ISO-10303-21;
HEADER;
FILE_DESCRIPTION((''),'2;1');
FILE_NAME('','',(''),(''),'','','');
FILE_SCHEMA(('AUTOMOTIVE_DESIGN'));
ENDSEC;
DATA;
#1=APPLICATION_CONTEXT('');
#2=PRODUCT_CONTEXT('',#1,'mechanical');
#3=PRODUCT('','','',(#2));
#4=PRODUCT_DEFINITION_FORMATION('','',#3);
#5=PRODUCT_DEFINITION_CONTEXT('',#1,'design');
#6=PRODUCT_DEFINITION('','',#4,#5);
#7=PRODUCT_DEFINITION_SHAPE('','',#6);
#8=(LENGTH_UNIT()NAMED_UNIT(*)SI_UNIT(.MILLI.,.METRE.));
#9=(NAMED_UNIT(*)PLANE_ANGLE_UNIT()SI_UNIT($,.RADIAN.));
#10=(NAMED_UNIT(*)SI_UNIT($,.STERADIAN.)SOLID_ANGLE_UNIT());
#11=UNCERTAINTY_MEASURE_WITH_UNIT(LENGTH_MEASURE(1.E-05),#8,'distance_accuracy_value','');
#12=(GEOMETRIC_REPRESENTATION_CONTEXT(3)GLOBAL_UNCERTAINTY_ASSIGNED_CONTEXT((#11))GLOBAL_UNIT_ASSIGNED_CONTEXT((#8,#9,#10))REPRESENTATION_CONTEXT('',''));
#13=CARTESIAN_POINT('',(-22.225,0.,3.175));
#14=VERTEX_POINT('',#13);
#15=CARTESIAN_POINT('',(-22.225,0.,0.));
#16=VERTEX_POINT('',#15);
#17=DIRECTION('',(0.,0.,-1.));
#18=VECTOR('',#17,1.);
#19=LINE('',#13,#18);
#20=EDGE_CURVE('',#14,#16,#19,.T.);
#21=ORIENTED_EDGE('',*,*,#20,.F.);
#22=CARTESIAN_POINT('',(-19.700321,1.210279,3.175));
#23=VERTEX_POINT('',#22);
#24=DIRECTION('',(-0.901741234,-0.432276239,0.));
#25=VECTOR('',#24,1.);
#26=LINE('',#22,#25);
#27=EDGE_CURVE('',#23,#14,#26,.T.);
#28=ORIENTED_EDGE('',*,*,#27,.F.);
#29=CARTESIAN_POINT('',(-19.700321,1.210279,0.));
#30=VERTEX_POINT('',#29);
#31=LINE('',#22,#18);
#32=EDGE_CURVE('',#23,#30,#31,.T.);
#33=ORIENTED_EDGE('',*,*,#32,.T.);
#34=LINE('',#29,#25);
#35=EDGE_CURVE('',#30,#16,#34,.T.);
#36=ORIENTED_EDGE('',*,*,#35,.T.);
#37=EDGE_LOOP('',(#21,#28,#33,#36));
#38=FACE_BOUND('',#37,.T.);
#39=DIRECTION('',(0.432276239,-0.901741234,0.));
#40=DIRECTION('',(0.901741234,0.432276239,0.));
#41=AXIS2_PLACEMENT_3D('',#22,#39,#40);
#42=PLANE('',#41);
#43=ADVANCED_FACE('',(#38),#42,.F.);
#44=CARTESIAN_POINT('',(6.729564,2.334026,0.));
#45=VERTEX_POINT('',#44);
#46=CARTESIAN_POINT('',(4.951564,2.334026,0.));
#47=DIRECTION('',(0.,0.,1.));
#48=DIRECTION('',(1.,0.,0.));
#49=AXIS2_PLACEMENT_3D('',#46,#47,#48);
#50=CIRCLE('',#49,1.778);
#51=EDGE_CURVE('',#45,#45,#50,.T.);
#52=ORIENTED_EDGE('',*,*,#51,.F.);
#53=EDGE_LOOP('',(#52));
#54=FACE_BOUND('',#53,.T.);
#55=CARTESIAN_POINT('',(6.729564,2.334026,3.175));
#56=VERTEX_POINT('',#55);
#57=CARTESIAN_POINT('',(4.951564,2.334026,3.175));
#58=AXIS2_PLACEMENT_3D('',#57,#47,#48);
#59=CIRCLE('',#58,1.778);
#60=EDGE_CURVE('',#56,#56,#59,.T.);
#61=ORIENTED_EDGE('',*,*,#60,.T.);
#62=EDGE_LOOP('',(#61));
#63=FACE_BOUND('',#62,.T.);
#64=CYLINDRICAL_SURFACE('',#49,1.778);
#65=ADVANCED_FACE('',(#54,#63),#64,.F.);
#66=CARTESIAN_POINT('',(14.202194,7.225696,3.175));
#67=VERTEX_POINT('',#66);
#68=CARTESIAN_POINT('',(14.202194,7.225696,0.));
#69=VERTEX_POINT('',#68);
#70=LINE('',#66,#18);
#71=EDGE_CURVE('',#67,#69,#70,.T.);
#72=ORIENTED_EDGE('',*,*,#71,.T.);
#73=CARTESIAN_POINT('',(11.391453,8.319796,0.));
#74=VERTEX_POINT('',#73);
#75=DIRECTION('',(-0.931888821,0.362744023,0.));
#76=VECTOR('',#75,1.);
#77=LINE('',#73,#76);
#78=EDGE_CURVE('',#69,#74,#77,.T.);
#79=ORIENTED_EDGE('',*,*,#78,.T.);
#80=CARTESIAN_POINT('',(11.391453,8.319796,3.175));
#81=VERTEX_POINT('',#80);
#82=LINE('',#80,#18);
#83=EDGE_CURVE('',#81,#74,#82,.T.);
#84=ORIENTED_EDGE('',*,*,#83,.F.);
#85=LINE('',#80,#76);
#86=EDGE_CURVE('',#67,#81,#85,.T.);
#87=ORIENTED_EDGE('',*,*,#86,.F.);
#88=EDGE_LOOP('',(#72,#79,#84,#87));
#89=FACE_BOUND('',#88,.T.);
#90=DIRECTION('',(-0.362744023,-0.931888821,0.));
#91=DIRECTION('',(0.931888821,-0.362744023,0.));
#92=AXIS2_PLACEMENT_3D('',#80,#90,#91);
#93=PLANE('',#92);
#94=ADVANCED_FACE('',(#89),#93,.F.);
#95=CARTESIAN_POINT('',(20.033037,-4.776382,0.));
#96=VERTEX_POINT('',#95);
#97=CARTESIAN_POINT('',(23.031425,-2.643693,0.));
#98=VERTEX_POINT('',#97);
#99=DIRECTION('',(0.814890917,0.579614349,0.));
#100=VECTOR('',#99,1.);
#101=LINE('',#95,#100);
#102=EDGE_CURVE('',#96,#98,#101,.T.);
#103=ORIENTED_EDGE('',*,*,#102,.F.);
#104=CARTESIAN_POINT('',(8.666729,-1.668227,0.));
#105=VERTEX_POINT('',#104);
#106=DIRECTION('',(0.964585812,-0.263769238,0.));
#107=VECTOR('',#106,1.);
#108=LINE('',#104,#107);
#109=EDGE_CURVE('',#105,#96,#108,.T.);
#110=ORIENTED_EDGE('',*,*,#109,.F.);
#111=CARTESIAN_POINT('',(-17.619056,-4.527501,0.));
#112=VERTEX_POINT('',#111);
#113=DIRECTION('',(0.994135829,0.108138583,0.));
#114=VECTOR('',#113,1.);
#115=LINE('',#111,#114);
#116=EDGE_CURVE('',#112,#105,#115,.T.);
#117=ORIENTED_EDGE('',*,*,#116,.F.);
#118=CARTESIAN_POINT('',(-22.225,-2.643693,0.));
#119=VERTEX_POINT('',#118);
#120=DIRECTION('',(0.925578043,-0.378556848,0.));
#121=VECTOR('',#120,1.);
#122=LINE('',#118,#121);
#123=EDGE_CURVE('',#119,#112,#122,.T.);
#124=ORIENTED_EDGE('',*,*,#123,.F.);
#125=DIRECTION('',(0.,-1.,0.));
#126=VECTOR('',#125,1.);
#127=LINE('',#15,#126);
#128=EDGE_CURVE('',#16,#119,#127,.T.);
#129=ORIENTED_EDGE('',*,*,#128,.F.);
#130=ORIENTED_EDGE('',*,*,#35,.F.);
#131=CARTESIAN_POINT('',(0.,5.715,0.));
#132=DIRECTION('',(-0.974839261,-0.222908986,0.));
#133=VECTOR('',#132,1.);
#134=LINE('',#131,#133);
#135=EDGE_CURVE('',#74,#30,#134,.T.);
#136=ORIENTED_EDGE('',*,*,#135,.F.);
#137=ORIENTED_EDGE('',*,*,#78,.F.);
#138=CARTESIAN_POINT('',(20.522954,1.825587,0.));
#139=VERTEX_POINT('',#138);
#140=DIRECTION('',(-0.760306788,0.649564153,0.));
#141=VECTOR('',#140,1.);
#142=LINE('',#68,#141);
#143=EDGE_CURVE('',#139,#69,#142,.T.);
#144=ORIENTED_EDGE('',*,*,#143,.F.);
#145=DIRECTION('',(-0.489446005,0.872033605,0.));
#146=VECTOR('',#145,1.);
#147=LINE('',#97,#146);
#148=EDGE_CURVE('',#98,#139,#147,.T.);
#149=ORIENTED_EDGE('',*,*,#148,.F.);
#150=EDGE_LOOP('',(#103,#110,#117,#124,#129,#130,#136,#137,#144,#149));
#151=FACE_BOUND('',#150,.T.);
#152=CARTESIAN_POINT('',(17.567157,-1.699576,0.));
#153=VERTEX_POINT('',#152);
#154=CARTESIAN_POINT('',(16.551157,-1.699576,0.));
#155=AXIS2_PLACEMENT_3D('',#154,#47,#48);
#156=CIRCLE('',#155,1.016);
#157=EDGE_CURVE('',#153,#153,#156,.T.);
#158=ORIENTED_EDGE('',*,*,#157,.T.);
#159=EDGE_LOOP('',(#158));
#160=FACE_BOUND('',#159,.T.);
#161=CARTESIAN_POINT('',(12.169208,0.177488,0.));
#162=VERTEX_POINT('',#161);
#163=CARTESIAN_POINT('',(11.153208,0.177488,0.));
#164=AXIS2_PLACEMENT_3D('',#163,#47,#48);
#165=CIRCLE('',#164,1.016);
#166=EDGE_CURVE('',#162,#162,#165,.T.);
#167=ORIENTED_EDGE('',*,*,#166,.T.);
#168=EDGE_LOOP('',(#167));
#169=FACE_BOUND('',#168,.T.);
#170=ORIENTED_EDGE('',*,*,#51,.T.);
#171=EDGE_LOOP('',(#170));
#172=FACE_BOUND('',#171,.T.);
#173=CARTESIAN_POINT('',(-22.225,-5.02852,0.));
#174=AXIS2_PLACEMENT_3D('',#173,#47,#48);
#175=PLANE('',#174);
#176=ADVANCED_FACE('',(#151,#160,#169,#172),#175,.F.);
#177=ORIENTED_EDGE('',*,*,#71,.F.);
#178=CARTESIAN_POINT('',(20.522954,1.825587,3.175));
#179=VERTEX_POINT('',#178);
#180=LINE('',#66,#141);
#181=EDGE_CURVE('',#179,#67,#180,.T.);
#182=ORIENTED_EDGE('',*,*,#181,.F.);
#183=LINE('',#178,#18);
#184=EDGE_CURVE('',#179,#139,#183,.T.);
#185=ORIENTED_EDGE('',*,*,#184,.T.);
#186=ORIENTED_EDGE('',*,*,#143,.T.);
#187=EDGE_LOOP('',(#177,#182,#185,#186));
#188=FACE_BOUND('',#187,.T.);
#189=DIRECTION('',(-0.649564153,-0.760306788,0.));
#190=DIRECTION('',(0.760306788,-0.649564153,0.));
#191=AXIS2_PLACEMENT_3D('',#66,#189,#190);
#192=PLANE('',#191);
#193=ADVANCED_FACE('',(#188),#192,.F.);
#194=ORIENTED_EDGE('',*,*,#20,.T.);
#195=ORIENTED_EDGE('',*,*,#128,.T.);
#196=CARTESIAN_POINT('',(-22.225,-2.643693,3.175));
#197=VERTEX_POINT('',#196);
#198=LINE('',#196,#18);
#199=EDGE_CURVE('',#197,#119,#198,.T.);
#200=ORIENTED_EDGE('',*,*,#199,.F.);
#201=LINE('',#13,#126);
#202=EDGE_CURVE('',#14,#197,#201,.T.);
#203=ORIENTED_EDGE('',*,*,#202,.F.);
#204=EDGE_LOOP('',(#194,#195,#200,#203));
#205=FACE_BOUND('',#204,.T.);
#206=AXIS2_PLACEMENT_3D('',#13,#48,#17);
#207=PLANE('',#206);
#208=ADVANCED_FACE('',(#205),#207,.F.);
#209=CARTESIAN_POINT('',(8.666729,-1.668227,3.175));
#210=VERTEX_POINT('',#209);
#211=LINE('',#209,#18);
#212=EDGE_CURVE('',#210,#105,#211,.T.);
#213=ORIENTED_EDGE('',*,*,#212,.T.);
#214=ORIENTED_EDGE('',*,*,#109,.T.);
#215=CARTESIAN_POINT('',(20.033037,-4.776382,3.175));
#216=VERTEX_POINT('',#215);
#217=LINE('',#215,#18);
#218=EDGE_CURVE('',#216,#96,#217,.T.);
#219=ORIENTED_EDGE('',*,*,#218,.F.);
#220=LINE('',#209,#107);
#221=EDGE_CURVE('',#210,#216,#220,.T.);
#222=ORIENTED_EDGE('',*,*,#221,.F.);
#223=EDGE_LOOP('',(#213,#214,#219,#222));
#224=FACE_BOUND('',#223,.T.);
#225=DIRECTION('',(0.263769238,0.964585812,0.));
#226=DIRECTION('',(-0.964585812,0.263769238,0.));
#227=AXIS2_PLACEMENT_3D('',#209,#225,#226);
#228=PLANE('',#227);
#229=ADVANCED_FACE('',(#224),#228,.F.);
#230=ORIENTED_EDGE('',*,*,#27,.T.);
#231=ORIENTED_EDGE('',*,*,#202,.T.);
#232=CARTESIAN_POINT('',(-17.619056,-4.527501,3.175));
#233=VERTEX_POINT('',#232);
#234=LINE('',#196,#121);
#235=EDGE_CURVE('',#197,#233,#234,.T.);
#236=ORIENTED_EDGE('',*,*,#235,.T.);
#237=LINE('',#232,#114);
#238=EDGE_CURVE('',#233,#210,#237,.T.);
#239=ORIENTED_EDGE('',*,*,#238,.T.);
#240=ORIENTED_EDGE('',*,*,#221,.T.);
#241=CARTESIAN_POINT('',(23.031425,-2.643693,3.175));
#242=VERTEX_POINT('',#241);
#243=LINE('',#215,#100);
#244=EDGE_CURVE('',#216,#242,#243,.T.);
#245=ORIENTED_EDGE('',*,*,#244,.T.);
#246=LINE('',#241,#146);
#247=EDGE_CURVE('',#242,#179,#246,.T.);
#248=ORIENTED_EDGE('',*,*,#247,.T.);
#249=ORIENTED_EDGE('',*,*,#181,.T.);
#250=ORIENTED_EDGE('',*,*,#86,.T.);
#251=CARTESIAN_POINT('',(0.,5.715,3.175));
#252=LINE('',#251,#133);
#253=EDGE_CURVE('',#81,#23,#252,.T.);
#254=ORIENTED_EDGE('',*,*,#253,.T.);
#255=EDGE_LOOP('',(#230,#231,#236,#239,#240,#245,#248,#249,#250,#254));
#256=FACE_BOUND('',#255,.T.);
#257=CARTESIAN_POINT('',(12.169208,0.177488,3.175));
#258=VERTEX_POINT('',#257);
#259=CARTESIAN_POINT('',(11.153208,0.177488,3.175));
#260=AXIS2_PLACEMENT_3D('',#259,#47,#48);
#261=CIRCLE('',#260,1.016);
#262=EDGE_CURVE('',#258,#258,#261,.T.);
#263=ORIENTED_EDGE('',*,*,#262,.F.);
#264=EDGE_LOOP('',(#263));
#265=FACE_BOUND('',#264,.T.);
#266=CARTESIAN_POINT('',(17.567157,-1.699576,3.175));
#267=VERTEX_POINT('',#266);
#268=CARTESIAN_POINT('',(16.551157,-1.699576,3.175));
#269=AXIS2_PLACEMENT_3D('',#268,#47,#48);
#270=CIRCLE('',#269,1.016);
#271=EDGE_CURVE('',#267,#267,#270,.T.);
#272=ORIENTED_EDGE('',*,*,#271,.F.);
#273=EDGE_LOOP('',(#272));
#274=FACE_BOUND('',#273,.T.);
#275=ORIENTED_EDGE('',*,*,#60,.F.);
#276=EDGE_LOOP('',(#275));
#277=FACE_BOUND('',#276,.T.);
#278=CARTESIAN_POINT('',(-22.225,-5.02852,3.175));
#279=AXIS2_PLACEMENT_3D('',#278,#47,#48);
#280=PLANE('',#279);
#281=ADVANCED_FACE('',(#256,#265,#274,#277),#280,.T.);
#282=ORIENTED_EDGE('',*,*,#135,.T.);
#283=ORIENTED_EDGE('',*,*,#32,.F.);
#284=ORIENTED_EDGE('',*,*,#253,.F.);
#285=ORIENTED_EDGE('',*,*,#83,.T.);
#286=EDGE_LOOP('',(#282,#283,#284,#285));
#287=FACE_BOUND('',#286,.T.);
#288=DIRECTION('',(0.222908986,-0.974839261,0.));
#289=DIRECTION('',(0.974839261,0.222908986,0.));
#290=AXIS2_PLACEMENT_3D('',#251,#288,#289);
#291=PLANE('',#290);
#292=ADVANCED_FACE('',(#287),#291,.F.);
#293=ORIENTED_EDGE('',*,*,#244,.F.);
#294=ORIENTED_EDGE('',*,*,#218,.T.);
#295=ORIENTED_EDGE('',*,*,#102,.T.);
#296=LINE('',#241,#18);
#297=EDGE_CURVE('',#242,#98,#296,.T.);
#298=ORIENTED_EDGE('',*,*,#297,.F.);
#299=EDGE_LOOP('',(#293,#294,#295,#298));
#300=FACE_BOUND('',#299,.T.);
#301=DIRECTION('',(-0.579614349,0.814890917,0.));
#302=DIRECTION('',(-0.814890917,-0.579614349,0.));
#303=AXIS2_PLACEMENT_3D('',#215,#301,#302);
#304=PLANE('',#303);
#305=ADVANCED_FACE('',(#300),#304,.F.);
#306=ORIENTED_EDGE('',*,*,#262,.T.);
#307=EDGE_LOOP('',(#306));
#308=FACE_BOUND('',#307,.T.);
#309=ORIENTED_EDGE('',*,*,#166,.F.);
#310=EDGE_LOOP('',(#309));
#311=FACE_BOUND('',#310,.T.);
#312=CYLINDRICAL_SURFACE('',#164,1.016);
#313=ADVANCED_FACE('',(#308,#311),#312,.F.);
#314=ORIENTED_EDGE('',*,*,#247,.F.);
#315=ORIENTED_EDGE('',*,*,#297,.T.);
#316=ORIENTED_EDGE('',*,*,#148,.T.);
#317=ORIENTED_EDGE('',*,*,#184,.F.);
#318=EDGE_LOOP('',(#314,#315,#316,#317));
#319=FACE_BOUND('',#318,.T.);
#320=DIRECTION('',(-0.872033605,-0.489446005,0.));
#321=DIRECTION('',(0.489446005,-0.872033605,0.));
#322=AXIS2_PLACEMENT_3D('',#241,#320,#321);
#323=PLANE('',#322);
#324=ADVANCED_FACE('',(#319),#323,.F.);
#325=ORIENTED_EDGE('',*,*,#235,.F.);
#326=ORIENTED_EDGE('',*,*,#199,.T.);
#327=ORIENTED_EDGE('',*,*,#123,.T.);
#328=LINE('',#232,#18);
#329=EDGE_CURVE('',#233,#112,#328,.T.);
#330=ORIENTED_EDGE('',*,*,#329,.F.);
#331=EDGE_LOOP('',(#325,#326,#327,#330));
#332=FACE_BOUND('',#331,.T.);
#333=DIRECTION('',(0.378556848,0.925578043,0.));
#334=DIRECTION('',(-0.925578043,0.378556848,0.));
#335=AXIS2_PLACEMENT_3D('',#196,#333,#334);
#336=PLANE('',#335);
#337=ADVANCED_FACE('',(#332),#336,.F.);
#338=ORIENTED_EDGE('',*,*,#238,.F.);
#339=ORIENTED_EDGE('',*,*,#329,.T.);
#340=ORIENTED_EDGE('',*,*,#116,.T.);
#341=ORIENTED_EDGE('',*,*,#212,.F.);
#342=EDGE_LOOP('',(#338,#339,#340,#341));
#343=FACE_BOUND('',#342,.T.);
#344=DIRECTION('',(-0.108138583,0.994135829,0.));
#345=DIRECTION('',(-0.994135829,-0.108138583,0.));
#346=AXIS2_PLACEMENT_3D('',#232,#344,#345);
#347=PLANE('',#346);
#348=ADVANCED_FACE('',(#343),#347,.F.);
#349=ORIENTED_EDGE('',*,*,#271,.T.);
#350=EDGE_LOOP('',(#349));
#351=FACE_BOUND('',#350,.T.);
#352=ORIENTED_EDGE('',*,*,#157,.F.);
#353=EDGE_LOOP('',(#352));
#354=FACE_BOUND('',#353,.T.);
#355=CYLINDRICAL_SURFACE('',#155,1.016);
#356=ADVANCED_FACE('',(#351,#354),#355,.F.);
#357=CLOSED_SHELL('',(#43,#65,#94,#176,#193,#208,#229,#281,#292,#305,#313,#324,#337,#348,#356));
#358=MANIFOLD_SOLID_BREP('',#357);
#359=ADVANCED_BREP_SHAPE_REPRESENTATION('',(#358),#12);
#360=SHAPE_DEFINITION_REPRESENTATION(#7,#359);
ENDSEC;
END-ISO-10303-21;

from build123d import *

# Parameters (mm, degrees)
BOSS_EXTRUDE1_DEPTH = 3.175
SKETCH2_R           = 1.016
SKETCH2_R_2         = 1.778
CUT_EXTRUDE1_DEPTH  = 4.175


with BuildPart() as part:
    # Sketch1 → Boss-Extrude1 (new body)
    with BuildSketch(Plane.XY):
        Polygon((14.202193653, 7.22569581), (20.522953668, 1.825587343), (23.031425106, -2.643692959), (20.033036873, -4.776381895), (8.666728722, -1.668226656), (-17.619055751, -4.527501407), (-22.225, -2.643692959), (-22.225, 0), (-19.700320896, 1.210279341), (0, 5.715), (11.391452648, 8.319795747), align=None)
    extrude(amount=BOSS_EXTRUDE1_DEPTH)

    # Sketch2 → Cut-Extrude1 (cut, through all)
    with BuildSketch(Plane.XY.offset(3.175)):
        with Locations((11.153208162, 0.17748796)):
            Circle(SKETCH2_R)
        with Locations((16.551157276, -1.699576334)):
            Circle(SKETCH2_R)
        with Locations((4.951564402, 2.334026271)):
            Circle(SKETCH2_R_2)
    extrude(amount=-CUT_EXTRUDE1_DEPTH, mode=Mode.SUBTRACT)


solid = part.part
